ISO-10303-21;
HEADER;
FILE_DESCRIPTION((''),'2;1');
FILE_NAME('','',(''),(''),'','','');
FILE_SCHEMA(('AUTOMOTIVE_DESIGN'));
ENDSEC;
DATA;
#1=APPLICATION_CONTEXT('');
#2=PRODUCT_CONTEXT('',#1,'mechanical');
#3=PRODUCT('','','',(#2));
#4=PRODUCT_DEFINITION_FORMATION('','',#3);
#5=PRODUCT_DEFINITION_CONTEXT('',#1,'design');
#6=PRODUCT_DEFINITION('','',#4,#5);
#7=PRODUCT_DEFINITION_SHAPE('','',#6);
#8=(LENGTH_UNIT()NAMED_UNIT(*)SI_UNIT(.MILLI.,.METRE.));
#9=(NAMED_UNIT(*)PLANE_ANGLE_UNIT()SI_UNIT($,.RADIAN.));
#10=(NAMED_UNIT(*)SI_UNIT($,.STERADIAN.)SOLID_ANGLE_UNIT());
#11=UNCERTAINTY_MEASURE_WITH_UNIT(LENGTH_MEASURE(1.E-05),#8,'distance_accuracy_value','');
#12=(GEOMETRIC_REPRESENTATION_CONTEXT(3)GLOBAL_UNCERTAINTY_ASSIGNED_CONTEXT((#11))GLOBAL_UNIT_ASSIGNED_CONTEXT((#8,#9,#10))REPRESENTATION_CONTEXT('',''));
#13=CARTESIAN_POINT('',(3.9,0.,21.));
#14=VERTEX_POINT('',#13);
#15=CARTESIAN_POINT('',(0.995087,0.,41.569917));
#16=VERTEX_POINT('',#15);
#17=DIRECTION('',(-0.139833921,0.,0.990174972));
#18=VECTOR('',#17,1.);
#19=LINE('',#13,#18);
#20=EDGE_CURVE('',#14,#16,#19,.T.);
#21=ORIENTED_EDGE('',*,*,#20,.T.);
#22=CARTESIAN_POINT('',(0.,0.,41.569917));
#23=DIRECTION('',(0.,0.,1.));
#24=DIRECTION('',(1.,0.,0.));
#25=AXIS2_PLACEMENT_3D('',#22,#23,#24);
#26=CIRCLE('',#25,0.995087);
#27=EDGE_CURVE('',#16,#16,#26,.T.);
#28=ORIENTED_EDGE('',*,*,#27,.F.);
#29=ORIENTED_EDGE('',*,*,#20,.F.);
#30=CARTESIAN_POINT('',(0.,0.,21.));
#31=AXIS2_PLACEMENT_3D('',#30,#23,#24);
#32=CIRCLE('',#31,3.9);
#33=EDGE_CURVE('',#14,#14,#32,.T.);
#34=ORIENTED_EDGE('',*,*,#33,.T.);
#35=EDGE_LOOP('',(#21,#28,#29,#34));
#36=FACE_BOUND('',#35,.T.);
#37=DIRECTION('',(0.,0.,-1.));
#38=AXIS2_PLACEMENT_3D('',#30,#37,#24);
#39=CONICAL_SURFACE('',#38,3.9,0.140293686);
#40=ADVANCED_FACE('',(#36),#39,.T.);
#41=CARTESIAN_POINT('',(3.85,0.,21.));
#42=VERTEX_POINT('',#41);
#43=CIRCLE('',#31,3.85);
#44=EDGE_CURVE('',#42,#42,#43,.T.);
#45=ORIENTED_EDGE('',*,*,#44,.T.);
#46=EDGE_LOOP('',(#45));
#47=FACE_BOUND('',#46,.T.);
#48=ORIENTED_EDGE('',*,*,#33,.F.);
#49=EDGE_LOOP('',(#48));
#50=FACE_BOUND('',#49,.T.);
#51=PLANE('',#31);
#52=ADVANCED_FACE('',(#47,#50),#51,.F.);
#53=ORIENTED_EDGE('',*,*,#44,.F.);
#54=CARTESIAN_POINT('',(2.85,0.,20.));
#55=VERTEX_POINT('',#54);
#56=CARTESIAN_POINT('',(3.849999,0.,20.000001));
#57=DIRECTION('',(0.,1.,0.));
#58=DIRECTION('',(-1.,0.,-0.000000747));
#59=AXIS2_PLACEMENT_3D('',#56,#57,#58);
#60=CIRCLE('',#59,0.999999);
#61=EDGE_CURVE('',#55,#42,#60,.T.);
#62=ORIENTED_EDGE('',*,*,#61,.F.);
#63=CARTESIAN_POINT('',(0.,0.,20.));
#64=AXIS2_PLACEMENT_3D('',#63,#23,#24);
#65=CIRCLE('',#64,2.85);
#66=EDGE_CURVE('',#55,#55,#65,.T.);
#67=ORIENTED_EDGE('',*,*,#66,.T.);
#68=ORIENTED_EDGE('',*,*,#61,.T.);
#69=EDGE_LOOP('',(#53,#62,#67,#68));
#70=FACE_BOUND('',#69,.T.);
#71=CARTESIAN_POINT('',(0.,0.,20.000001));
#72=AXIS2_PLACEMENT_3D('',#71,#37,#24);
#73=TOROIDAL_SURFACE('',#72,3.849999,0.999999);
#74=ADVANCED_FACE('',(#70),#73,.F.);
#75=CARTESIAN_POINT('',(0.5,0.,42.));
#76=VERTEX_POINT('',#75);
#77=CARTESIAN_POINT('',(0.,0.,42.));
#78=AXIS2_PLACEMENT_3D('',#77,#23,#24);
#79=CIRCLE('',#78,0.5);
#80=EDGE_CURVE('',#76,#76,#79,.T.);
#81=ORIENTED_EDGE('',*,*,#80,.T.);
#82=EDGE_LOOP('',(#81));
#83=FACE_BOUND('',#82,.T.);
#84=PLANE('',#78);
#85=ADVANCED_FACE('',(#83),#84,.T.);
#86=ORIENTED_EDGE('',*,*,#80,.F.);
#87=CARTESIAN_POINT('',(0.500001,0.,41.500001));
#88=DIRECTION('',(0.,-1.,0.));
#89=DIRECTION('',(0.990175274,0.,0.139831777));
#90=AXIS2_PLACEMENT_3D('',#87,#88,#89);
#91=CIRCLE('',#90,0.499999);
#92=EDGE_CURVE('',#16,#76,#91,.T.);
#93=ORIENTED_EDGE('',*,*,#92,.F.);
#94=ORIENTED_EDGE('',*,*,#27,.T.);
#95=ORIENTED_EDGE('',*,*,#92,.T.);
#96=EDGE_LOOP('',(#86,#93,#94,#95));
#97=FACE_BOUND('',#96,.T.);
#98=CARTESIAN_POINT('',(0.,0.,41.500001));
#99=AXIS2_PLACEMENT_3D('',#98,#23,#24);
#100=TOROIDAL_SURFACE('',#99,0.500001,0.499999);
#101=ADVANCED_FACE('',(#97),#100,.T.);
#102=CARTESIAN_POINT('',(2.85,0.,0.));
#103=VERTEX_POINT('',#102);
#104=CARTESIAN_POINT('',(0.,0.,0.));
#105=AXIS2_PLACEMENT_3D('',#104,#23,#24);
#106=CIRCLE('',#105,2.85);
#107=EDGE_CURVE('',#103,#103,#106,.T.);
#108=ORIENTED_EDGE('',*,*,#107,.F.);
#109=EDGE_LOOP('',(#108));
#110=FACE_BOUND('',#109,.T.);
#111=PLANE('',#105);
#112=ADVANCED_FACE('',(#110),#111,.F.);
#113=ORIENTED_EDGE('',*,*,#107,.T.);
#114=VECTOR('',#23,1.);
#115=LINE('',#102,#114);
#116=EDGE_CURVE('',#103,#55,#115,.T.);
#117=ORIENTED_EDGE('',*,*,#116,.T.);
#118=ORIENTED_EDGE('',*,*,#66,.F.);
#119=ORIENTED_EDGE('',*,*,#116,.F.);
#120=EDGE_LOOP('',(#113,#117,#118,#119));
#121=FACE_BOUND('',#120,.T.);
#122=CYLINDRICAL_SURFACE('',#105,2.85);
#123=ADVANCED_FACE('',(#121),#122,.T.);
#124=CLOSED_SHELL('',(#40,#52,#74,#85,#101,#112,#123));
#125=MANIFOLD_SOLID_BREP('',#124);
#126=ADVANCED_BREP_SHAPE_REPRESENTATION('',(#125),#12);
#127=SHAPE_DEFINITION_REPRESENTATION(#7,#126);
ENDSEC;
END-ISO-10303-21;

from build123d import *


with BuildPart() as f1:
    # F0 (on Front) → F1 (revolve)
    with BuildSketch(Plane.XZ):
        with BuildLine():
            Line((3.9, 21), (0.995087, 41.569917))
            ThreePointArc((0.995087, 41.569917), (0.827904, 41.877464), (0.5, 42))
            Line((0.5, 42), (0, 42))
            Line((0, 42), (0, 0))
            Line((0, 0), (2.85, 0))
            Line((2.85, 0), (2.85, 20))
            ThreePointArc((2.85, 20), (3.142893, 20.707107), (3.85, 21))
            Line((3.85, 21), (3.9, 21))
        make_face()
    revolve(axis=Axis((0, 0, 21), (0, 0, 1)))


solid = f1.part
